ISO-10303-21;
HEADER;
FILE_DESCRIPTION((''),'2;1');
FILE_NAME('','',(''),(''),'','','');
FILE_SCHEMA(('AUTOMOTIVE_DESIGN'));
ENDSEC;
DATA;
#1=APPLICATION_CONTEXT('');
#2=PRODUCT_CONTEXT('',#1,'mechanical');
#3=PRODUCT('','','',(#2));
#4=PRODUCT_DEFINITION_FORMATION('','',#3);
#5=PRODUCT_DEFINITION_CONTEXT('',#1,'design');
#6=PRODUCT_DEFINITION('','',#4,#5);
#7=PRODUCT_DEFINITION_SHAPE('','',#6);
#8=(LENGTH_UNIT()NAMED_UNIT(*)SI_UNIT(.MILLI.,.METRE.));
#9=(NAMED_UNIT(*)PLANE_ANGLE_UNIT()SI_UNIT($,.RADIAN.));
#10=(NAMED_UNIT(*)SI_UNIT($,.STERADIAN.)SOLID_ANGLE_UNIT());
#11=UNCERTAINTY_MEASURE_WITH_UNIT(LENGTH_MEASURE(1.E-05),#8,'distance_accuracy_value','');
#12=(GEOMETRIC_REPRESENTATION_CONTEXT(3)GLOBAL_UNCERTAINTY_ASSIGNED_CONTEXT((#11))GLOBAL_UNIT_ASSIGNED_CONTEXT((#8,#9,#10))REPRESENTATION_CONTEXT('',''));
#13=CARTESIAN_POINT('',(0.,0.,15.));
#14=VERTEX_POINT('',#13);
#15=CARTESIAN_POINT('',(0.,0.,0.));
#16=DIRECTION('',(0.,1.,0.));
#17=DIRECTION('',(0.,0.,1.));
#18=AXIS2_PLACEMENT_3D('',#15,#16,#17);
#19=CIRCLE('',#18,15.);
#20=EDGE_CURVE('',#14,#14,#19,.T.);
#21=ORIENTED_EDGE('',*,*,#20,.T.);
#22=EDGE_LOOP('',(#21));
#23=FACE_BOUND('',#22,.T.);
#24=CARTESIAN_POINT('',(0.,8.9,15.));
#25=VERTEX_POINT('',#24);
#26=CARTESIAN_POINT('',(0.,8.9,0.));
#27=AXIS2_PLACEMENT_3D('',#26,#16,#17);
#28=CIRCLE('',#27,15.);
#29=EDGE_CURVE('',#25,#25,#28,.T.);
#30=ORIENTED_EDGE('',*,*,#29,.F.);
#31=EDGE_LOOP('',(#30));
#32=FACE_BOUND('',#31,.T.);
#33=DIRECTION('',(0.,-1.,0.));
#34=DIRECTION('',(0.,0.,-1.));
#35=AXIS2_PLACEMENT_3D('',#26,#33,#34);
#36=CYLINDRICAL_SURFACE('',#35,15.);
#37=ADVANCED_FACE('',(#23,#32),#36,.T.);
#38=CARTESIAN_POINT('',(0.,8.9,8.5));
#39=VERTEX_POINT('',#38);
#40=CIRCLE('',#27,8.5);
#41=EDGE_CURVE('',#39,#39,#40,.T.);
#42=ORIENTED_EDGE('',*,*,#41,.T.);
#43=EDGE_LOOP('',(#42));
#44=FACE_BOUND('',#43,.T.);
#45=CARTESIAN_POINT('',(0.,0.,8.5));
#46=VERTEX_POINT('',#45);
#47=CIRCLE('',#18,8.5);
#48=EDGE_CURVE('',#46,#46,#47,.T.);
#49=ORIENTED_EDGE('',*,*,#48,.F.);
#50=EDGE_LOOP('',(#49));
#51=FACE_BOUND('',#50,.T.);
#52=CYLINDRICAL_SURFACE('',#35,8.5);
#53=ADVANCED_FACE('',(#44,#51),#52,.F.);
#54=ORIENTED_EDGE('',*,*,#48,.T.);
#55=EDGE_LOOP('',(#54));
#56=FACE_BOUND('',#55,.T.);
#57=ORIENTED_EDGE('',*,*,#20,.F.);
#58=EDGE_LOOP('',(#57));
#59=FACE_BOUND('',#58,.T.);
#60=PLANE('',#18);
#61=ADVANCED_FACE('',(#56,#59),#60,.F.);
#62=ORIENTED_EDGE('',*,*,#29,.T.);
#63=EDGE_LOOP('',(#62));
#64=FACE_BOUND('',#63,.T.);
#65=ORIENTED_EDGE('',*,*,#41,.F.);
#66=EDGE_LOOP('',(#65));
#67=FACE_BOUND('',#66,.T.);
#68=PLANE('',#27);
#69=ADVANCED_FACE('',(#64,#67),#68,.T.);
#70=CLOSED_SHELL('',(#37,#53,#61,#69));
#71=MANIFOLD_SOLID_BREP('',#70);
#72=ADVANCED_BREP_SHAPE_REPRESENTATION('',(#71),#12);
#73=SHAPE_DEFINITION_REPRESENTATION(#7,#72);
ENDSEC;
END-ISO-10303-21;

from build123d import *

# Parameters (mm, degrees)
SKETCH_2_R      = 15
SKETCH_2_R_2    = 8.5
EXTRUDE_1_DEPTH = 8.9


with BuildPart() as part:
    # Эскиз2 → Вытянуть1 (new body)
    with BuildSketch(Plane(origin=(0, 0, 0), x_dir=(1, 0, 0), z_dir=(0, 1, 0))):
        with Locations(Location((0, 0, 0), (0, 0, 270))):
            Circle(SKETCH_2_R)
        with Locations(Location((0, 0, 0), (0, 0, 270))):
            Circle(SKETCH_2_R_2, mode=Mode.SUBTRACT)
    extrude(amount=EXTRUDE_1_DEPTH)


solid = part.part
